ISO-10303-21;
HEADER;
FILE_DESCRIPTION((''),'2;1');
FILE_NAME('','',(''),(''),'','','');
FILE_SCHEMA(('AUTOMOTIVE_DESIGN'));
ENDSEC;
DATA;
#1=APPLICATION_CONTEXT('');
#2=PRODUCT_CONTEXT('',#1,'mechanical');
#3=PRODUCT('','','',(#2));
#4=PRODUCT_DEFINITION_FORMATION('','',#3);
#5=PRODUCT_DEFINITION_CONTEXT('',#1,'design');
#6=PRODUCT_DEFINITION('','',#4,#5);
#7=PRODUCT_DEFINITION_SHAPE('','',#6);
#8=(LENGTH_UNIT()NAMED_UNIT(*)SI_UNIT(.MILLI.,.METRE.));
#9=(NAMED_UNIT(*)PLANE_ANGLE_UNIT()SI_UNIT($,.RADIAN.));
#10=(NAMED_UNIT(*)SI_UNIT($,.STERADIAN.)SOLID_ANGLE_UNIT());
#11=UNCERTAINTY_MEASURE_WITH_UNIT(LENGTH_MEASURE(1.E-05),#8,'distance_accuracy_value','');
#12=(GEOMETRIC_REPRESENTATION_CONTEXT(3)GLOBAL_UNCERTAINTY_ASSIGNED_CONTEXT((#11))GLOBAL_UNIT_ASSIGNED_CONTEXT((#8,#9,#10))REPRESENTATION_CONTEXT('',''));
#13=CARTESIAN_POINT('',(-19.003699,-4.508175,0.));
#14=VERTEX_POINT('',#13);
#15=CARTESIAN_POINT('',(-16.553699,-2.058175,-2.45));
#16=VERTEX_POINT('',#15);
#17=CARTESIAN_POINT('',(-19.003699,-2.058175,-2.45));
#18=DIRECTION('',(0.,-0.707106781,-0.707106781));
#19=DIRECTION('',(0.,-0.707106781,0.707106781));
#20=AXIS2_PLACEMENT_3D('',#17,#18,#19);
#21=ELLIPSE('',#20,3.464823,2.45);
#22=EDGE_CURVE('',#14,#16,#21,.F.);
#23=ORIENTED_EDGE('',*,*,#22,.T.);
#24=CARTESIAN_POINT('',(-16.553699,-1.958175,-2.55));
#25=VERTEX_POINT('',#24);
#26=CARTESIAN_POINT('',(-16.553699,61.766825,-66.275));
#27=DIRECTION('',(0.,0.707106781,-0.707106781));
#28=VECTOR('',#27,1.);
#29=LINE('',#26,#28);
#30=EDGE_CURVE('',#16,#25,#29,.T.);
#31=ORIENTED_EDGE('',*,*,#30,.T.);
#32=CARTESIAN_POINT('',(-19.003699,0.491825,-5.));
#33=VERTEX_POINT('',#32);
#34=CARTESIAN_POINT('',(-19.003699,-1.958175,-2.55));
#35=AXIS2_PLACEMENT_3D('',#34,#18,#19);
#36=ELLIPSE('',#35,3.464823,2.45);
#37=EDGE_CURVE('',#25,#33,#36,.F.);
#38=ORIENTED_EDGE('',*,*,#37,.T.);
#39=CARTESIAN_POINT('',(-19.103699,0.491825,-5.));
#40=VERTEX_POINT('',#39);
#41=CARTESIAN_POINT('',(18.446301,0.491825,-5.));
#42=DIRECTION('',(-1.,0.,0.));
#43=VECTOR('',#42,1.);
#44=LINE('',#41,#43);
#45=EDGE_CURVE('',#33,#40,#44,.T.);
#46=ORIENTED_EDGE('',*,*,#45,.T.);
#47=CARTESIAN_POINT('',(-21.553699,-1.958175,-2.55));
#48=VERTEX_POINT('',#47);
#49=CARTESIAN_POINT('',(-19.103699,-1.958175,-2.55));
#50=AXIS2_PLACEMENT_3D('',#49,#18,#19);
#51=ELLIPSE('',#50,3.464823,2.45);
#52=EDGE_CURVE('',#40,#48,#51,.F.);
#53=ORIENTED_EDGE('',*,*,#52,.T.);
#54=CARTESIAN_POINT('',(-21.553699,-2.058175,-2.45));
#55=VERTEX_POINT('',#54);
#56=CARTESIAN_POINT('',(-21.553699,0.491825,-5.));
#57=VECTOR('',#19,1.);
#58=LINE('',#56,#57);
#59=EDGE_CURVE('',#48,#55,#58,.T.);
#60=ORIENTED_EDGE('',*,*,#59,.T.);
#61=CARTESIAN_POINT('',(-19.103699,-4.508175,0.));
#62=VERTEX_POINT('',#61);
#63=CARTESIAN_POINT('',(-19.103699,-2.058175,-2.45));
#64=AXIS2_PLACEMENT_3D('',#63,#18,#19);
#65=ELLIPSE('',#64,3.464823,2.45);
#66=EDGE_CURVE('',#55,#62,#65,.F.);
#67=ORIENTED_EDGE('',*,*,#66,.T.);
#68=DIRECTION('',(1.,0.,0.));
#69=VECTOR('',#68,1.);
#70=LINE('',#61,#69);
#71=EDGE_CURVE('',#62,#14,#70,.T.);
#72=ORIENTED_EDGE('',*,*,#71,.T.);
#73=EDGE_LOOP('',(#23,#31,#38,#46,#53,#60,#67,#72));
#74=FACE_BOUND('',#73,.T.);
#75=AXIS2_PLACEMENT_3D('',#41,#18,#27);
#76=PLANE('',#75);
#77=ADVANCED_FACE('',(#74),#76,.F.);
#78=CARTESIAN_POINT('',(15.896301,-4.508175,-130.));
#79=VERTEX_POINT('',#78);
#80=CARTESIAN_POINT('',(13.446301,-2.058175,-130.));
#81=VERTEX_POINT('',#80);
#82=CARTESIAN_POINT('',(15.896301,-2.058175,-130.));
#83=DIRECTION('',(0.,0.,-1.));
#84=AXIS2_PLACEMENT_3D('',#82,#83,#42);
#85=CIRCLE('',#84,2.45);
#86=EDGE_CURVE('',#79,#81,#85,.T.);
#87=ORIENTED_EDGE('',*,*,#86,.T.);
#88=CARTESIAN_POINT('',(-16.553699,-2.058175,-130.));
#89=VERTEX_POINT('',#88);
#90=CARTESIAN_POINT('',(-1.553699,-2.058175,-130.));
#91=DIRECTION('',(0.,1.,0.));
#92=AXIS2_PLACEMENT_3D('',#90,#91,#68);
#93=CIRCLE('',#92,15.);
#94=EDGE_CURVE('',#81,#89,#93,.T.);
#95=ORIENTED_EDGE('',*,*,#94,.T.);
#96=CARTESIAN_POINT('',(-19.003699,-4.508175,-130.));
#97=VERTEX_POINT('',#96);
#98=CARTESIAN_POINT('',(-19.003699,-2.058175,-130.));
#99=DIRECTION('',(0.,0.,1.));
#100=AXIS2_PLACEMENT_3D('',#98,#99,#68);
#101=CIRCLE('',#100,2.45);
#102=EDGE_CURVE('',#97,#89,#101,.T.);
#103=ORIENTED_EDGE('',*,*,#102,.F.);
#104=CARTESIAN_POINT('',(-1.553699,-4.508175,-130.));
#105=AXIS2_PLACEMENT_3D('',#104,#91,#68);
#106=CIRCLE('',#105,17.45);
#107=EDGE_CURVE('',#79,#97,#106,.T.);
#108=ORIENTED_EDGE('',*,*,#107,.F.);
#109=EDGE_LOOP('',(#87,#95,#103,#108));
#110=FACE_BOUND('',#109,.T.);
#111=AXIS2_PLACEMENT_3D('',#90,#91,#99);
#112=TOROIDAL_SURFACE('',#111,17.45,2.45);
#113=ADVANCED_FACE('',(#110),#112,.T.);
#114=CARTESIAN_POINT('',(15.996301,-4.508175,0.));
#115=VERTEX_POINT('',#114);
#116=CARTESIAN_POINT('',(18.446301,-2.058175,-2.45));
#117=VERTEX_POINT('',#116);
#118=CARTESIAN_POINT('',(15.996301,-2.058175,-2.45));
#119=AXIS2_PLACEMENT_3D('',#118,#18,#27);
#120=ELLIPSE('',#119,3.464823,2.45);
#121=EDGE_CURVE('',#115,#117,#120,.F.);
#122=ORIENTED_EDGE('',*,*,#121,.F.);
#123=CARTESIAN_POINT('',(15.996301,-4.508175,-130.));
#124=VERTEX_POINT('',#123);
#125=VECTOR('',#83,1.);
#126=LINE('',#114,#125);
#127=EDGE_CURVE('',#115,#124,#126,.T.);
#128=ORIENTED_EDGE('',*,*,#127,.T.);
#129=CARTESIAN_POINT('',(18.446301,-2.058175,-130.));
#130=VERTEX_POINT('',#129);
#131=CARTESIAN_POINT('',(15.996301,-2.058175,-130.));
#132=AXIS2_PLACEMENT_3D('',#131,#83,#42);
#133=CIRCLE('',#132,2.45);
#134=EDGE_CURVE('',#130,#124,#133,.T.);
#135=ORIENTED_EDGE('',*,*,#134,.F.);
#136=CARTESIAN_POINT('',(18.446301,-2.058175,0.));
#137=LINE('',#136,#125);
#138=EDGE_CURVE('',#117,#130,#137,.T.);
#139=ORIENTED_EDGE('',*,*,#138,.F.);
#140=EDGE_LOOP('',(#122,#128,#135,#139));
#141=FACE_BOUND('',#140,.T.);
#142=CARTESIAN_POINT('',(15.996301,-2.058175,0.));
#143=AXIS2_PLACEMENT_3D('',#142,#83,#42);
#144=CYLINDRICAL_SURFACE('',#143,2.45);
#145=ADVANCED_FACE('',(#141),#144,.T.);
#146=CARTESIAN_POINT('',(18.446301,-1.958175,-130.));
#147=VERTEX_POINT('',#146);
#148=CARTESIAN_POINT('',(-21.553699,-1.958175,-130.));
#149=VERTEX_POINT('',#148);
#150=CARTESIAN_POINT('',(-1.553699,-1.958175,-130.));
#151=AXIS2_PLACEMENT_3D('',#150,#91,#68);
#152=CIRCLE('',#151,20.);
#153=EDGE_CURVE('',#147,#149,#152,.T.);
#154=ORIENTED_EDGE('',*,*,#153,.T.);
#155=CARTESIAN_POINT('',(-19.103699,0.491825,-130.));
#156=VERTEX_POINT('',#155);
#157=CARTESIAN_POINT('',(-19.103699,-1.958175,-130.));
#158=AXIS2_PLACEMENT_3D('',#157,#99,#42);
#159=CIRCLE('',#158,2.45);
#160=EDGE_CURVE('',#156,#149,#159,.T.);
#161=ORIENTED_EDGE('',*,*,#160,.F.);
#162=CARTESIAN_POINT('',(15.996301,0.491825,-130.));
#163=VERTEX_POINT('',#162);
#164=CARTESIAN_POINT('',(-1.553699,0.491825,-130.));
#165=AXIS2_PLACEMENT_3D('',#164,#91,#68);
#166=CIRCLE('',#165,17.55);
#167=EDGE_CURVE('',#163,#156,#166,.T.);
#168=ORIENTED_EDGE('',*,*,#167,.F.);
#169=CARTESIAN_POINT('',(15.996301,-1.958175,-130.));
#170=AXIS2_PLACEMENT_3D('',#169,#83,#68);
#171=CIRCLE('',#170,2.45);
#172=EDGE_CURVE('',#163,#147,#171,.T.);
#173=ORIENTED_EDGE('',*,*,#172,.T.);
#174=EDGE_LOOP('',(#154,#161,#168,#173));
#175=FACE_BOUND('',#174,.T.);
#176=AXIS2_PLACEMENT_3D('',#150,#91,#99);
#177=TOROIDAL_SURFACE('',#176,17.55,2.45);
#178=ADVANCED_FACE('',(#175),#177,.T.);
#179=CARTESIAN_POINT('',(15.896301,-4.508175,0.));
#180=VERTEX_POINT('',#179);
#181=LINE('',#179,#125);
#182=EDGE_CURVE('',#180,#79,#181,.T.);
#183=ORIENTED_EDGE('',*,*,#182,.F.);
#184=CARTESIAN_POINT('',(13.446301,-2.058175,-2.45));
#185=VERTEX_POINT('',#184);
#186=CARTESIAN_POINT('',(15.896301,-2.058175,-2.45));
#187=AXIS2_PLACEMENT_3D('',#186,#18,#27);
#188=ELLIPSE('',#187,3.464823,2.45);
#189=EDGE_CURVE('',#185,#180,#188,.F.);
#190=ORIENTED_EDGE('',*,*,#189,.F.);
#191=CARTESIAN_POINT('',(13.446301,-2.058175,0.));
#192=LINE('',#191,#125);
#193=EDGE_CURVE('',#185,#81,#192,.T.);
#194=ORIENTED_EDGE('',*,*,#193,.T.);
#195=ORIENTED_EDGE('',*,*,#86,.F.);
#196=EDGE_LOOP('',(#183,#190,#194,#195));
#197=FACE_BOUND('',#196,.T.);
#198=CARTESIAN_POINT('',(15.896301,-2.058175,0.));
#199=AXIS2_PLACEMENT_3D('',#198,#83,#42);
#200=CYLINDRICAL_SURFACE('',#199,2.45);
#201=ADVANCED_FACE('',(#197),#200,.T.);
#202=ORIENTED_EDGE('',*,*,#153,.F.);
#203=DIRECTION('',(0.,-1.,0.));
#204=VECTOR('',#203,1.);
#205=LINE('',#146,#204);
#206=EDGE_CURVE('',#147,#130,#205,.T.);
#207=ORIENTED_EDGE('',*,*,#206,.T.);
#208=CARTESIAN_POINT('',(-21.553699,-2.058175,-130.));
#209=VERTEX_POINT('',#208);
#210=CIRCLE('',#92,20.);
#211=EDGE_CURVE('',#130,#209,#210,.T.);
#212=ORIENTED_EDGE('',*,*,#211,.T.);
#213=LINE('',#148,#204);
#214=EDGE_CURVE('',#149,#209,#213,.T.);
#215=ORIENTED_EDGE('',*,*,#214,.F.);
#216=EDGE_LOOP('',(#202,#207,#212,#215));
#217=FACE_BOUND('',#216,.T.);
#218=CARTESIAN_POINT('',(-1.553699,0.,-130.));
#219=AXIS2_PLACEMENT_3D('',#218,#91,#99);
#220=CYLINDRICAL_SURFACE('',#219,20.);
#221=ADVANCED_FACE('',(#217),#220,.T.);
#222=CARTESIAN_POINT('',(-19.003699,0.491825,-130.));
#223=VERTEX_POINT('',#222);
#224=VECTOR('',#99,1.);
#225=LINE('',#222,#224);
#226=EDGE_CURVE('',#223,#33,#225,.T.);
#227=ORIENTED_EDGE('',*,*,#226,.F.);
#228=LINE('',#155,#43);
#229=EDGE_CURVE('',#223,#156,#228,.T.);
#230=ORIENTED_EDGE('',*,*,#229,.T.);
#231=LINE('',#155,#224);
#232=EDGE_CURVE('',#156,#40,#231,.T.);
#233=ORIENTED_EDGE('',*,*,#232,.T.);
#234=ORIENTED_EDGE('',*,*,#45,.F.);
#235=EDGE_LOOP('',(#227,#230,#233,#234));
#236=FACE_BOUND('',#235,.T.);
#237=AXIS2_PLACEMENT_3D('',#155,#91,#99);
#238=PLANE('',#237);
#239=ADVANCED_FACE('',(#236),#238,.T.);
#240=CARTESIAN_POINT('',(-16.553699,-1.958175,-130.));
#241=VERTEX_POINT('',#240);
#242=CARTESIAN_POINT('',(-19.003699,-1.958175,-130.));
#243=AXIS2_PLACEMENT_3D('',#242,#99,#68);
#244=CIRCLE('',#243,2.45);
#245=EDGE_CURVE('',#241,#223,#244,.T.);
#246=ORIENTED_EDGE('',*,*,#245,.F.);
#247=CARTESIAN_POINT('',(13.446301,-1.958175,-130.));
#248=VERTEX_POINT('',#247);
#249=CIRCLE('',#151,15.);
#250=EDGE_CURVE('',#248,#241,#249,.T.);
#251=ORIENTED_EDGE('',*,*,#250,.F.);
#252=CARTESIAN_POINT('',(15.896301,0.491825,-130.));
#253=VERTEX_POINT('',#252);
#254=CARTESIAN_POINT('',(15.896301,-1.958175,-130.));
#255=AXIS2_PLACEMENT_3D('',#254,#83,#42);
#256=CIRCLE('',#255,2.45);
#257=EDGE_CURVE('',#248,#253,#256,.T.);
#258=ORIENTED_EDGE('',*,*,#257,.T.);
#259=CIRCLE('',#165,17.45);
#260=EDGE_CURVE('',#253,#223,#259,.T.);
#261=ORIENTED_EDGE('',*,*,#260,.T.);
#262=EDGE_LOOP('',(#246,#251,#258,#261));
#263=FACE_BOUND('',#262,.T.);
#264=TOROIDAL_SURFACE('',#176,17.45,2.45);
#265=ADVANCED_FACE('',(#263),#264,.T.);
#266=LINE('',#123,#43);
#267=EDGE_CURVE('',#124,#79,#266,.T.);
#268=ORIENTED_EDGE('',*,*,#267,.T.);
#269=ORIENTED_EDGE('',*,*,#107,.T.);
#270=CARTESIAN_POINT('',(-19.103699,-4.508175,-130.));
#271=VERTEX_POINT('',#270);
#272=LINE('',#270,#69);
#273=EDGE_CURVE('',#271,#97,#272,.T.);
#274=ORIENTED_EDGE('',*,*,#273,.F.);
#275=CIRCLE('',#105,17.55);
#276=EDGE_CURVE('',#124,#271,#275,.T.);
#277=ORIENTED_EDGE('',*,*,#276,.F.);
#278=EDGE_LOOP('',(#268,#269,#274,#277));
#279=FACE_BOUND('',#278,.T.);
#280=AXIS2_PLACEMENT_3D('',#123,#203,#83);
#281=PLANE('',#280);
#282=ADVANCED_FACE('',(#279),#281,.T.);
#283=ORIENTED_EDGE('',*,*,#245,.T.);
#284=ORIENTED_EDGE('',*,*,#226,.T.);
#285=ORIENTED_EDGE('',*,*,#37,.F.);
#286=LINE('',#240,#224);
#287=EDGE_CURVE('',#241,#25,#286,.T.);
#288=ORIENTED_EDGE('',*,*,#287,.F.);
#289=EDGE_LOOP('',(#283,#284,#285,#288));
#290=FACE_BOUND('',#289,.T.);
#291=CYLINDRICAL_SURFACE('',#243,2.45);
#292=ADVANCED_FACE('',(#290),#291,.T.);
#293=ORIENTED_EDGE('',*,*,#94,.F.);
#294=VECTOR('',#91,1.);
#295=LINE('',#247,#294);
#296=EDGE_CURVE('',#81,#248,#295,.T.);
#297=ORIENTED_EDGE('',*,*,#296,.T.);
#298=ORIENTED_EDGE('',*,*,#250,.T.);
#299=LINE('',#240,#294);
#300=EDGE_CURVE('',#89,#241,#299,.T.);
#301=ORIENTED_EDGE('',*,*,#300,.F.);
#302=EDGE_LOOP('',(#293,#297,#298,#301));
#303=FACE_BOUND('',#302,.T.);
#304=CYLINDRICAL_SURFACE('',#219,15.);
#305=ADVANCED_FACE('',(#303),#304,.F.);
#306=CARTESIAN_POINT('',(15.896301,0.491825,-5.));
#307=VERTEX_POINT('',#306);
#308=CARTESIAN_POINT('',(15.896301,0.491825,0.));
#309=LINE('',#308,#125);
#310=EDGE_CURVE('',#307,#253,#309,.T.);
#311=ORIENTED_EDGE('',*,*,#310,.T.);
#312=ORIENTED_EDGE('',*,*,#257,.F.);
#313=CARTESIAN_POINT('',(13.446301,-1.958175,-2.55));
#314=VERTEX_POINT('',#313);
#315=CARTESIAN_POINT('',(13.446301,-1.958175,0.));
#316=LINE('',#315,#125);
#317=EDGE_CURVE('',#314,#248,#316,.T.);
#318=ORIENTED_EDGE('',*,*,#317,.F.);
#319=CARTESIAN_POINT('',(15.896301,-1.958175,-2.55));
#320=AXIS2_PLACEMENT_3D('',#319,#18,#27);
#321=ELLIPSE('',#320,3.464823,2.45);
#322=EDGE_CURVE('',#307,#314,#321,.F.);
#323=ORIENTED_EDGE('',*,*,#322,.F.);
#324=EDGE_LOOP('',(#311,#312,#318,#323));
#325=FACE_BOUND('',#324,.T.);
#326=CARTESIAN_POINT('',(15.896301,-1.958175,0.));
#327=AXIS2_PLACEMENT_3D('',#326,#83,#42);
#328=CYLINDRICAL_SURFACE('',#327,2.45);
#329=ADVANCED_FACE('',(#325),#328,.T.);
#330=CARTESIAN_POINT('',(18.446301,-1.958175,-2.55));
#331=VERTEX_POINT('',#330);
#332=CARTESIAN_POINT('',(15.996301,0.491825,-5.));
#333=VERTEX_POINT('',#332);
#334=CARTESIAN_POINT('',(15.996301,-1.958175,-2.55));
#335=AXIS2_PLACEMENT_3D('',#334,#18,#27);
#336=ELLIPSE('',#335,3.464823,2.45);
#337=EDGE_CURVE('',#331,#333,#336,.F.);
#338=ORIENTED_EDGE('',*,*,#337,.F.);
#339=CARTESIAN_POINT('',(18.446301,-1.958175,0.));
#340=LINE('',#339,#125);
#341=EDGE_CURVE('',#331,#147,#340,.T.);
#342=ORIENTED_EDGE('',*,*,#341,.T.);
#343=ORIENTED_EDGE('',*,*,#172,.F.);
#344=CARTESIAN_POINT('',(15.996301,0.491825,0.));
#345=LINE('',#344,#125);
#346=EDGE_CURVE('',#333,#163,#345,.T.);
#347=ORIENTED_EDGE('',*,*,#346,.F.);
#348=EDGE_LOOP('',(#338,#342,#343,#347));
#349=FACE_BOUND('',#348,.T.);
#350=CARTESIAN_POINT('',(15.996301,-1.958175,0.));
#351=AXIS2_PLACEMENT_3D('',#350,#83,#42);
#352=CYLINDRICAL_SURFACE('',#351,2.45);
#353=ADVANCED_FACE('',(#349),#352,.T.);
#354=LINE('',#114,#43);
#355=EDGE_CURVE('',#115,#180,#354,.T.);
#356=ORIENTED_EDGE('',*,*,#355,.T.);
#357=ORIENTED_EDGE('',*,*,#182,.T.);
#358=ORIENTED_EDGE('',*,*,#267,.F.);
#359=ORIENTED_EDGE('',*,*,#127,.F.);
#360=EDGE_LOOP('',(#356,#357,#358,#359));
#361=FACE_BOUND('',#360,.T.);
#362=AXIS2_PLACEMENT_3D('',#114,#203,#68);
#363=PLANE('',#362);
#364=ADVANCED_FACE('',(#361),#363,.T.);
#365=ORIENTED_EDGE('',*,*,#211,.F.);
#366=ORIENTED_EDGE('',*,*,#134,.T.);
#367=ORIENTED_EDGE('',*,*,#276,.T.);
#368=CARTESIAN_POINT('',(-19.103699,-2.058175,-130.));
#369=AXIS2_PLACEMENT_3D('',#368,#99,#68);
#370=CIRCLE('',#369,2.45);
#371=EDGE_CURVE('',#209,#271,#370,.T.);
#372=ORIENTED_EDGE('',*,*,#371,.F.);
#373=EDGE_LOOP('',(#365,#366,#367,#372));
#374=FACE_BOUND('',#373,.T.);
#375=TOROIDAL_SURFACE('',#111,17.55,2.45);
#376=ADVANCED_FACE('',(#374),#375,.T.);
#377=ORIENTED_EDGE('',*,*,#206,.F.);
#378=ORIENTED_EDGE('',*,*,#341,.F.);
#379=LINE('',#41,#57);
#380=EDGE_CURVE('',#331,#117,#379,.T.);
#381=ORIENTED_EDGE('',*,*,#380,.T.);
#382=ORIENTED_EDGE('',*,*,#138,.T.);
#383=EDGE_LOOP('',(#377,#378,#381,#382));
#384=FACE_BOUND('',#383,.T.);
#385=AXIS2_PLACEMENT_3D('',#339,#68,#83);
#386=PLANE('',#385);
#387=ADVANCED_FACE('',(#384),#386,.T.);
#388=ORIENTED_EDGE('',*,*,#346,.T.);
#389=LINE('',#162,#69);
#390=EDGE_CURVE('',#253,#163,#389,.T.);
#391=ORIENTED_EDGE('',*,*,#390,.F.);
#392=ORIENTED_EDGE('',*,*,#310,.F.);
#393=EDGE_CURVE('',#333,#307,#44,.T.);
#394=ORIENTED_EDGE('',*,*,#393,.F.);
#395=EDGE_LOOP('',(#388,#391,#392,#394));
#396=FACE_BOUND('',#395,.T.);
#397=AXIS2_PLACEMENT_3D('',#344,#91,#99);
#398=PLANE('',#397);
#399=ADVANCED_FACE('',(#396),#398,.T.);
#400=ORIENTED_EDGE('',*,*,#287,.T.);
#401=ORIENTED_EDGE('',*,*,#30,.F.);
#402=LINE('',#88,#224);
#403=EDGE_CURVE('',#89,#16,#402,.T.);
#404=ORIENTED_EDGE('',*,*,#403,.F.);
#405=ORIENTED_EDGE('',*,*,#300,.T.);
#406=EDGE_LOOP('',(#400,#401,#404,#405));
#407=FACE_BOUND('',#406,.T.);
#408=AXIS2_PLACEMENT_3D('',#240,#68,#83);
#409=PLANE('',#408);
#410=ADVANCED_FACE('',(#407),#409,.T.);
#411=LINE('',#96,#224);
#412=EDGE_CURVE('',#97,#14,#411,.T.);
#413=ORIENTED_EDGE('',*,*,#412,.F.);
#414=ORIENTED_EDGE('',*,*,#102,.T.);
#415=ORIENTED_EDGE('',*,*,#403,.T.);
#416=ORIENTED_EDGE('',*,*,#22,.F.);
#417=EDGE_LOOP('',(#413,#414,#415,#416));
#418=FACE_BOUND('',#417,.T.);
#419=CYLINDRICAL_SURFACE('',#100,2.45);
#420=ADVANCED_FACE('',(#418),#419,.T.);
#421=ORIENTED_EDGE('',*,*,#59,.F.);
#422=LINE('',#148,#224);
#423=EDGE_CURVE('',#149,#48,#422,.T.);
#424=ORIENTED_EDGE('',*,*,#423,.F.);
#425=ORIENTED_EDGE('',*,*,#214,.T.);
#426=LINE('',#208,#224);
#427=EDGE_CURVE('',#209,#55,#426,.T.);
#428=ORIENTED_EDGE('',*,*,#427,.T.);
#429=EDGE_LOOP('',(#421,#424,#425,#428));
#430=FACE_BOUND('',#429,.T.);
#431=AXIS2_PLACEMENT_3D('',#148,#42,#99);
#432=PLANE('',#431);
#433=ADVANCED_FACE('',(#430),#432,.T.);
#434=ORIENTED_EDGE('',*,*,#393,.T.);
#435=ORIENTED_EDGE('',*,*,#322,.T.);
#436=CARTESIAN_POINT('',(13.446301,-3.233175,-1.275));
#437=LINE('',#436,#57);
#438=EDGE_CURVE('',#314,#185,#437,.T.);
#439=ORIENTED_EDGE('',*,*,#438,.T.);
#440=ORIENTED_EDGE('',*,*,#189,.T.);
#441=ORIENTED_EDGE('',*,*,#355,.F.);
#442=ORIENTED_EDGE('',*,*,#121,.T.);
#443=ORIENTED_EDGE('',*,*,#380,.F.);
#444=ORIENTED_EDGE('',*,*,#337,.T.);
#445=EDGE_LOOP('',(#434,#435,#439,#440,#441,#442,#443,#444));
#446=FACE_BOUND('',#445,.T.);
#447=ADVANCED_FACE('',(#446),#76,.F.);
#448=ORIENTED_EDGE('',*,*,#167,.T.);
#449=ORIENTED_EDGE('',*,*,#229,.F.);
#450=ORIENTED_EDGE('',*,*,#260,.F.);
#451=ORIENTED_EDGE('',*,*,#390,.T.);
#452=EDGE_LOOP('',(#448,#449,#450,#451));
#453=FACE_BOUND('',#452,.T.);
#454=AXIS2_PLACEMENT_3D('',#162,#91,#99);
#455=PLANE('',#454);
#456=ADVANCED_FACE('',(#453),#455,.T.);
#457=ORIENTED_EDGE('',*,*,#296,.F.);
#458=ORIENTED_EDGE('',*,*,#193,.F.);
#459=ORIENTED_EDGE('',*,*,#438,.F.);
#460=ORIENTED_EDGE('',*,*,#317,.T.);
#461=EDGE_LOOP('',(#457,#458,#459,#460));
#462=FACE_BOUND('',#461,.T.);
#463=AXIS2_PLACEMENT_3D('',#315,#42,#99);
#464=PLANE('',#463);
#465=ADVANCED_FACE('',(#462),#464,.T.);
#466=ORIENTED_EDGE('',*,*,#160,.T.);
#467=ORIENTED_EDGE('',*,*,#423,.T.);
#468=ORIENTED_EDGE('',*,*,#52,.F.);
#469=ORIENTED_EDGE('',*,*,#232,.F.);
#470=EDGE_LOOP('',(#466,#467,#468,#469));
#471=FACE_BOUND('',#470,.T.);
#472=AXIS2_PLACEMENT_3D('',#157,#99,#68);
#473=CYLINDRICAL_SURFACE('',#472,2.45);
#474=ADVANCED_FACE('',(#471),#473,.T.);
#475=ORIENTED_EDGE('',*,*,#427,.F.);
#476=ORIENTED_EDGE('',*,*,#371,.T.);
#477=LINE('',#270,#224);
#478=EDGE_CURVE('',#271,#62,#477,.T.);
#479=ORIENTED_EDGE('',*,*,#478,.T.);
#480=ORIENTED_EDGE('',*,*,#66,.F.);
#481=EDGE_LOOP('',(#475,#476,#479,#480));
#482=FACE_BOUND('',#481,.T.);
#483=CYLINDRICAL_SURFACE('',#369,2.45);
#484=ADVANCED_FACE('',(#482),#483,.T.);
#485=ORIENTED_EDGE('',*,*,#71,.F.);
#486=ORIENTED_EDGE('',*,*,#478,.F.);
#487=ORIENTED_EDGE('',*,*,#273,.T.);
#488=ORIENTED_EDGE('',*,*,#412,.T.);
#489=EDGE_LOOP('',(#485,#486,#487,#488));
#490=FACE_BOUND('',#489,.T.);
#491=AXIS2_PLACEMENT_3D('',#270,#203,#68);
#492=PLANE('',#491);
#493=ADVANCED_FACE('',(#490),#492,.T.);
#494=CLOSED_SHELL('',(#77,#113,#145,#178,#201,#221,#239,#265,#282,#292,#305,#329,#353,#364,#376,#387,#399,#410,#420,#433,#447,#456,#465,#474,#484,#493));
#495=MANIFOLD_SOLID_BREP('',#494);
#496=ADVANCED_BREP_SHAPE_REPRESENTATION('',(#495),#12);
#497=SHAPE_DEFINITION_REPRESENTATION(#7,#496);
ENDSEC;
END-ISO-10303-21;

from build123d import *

# Parameters (mm, degrees)
CUT_EXTRUDE_1_DEPTH = 156.307191324


with BuildPart() as part:
    # По траектории1: sweep along a path in Эскиз2
    with BuildLine(Plane(origin=(0, 0, 0), x_dir=(1, 0, 0), z_dir=(0, 1, 0))) as sweep_1_path:
        Line((-19.053699061, 0), (-19.053699061, 130))
        ThreePointArc((-19.053699061, 130), (-1.553699061, 147.5), (15.946300939, 130))
        Line((15.946300939, 130), (15.946300939, 0))
    # Эскиз1 → По траектории1 (sweep)
    with BuildSketch(Plane.XY):
        with BuildLine():
            Line((-19.103699061, 0.491825411), (-19.003699061, 0.491825411))
            ThreePointArc((-19.003699061, 0.491825411), (-17.271287447, -0.225762975), (-16.553699061, -1.958174589))
            Line((-16.553699061, -1.958174589), (-16.553699061, -2.058174589))
            ThreePointArc((-16.553699061, -2.058174589), (-17.271287447, -3.790586203), (-19.003699061, -4.508174589))
            Line((-19.003699061, -4.508174589), (-19.103699061, -4.508174589))
            ThreePointArc((-19.103699061, -4.508174589), (-20.836110675, -3.790586203), (-21.553699061, -2.058174589))
            Line((-21.553699061, -2.058174589), (-21.553699061, -1.958174589))
            ThreePointArc((-21.553699061, -1.958174589), (-20.836110675, -0.225762975), (-19.103699061, 0.491825411))
        make_face()
    sweep(path=sweep_1_path.line)

    # Эскиз3 → Вырез-Вытянуть1 (cut, through all)
    with BuildSketch(Plane.ZY.offset(21.553699061)):
        Polygon((0, 0.491825411), (-5, 0.491825411), (0, -4.508174589), align=None)
    extrude(amount=-CUT_EXTRUDE_1_DEPTH, mode=Mode.SUBTRACT)


solid = part.part
